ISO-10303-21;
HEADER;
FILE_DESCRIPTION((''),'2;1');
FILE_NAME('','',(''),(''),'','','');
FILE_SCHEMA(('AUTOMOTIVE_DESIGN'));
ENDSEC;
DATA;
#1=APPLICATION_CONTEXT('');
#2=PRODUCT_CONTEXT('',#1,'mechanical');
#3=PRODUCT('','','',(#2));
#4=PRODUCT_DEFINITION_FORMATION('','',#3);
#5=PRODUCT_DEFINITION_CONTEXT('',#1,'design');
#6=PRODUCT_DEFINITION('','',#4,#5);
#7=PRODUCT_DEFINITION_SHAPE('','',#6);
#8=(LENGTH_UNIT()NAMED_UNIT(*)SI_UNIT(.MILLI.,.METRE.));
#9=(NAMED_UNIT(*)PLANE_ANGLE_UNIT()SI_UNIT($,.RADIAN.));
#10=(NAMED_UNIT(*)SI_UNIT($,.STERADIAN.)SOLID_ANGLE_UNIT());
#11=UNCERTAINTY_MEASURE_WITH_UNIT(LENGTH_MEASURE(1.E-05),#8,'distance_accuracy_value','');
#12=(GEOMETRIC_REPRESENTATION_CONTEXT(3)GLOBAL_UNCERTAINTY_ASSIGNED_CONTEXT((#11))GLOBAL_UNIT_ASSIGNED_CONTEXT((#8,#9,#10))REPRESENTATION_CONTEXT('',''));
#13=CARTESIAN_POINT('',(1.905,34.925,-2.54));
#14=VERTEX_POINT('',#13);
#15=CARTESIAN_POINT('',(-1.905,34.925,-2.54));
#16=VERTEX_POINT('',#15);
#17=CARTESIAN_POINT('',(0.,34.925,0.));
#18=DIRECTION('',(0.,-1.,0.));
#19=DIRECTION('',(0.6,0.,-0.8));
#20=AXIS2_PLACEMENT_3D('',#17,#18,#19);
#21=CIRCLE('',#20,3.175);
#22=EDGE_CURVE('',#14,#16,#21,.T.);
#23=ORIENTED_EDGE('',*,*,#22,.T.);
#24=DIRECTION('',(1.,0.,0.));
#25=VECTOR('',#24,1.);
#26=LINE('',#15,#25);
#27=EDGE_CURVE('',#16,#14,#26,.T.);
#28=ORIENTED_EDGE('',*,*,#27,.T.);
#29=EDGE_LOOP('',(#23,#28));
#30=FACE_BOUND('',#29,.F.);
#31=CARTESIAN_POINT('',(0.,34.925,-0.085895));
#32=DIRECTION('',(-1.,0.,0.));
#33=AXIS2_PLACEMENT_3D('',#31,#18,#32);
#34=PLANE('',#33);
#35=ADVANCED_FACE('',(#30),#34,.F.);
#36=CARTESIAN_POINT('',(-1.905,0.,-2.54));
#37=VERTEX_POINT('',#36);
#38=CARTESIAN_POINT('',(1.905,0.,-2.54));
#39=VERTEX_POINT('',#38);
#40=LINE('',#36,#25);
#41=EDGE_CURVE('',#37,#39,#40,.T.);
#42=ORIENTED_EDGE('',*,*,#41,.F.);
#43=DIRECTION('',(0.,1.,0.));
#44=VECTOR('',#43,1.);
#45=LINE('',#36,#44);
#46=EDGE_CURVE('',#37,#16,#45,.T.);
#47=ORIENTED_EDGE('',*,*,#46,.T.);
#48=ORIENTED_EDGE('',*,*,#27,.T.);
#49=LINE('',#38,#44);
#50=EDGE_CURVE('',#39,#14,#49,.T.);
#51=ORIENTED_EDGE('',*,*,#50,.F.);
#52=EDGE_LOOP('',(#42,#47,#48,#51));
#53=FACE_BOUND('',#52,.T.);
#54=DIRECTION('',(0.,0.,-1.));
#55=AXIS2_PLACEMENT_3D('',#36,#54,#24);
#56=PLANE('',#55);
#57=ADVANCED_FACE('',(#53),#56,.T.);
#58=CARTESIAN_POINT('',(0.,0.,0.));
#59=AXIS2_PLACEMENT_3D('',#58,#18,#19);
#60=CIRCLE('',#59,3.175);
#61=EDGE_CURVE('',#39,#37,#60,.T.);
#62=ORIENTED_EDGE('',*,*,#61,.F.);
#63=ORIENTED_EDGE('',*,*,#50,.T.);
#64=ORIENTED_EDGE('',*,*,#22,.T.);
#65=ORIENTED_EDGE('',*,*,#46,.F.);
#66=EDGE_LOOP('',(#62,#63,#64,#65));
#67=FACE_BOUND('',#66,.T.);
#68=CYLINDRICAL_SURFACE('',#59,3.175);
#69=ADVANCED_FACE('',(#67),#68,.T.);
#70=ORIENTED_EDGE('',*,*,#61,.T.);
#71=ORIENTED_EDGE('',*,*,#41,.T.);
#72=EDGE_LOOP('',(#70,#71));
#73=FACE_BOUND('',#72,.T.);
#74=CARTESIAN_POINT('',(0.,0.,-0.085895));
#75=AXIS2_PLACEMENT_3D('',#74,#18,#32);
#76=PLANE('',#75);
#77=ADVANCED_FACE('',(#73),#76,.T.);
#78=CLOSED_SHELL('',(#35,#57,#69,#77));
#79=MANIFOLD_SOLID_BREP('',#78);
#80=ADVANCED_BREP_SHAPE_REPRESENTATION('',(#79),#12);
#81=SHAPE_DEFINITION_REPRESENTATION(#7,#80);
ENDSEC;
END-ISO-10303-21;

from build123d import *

# Parameters (mm, degrees)
BOSS_EXTRUDE1_DEPTH = 34.925


with BuildPart() as part:
    # Sketch1 → Boss-Extrude1 (new body)
    with BuildSketch(Plane(origin=(0, 0, 0), x_dir=(1, 0, 0), z_dir=(0, 1, 0))):
        with BuildLine():
            Line((-1.905, 2.54), (1.905, 2.54))
            ThreePointArc((1.905, 2.54), (0, -3.175), (-1.905, 2.54))
        make_face()
    extrude(amount=BOSS_EXTRUDE1_DEPTH)


solid = part.part
